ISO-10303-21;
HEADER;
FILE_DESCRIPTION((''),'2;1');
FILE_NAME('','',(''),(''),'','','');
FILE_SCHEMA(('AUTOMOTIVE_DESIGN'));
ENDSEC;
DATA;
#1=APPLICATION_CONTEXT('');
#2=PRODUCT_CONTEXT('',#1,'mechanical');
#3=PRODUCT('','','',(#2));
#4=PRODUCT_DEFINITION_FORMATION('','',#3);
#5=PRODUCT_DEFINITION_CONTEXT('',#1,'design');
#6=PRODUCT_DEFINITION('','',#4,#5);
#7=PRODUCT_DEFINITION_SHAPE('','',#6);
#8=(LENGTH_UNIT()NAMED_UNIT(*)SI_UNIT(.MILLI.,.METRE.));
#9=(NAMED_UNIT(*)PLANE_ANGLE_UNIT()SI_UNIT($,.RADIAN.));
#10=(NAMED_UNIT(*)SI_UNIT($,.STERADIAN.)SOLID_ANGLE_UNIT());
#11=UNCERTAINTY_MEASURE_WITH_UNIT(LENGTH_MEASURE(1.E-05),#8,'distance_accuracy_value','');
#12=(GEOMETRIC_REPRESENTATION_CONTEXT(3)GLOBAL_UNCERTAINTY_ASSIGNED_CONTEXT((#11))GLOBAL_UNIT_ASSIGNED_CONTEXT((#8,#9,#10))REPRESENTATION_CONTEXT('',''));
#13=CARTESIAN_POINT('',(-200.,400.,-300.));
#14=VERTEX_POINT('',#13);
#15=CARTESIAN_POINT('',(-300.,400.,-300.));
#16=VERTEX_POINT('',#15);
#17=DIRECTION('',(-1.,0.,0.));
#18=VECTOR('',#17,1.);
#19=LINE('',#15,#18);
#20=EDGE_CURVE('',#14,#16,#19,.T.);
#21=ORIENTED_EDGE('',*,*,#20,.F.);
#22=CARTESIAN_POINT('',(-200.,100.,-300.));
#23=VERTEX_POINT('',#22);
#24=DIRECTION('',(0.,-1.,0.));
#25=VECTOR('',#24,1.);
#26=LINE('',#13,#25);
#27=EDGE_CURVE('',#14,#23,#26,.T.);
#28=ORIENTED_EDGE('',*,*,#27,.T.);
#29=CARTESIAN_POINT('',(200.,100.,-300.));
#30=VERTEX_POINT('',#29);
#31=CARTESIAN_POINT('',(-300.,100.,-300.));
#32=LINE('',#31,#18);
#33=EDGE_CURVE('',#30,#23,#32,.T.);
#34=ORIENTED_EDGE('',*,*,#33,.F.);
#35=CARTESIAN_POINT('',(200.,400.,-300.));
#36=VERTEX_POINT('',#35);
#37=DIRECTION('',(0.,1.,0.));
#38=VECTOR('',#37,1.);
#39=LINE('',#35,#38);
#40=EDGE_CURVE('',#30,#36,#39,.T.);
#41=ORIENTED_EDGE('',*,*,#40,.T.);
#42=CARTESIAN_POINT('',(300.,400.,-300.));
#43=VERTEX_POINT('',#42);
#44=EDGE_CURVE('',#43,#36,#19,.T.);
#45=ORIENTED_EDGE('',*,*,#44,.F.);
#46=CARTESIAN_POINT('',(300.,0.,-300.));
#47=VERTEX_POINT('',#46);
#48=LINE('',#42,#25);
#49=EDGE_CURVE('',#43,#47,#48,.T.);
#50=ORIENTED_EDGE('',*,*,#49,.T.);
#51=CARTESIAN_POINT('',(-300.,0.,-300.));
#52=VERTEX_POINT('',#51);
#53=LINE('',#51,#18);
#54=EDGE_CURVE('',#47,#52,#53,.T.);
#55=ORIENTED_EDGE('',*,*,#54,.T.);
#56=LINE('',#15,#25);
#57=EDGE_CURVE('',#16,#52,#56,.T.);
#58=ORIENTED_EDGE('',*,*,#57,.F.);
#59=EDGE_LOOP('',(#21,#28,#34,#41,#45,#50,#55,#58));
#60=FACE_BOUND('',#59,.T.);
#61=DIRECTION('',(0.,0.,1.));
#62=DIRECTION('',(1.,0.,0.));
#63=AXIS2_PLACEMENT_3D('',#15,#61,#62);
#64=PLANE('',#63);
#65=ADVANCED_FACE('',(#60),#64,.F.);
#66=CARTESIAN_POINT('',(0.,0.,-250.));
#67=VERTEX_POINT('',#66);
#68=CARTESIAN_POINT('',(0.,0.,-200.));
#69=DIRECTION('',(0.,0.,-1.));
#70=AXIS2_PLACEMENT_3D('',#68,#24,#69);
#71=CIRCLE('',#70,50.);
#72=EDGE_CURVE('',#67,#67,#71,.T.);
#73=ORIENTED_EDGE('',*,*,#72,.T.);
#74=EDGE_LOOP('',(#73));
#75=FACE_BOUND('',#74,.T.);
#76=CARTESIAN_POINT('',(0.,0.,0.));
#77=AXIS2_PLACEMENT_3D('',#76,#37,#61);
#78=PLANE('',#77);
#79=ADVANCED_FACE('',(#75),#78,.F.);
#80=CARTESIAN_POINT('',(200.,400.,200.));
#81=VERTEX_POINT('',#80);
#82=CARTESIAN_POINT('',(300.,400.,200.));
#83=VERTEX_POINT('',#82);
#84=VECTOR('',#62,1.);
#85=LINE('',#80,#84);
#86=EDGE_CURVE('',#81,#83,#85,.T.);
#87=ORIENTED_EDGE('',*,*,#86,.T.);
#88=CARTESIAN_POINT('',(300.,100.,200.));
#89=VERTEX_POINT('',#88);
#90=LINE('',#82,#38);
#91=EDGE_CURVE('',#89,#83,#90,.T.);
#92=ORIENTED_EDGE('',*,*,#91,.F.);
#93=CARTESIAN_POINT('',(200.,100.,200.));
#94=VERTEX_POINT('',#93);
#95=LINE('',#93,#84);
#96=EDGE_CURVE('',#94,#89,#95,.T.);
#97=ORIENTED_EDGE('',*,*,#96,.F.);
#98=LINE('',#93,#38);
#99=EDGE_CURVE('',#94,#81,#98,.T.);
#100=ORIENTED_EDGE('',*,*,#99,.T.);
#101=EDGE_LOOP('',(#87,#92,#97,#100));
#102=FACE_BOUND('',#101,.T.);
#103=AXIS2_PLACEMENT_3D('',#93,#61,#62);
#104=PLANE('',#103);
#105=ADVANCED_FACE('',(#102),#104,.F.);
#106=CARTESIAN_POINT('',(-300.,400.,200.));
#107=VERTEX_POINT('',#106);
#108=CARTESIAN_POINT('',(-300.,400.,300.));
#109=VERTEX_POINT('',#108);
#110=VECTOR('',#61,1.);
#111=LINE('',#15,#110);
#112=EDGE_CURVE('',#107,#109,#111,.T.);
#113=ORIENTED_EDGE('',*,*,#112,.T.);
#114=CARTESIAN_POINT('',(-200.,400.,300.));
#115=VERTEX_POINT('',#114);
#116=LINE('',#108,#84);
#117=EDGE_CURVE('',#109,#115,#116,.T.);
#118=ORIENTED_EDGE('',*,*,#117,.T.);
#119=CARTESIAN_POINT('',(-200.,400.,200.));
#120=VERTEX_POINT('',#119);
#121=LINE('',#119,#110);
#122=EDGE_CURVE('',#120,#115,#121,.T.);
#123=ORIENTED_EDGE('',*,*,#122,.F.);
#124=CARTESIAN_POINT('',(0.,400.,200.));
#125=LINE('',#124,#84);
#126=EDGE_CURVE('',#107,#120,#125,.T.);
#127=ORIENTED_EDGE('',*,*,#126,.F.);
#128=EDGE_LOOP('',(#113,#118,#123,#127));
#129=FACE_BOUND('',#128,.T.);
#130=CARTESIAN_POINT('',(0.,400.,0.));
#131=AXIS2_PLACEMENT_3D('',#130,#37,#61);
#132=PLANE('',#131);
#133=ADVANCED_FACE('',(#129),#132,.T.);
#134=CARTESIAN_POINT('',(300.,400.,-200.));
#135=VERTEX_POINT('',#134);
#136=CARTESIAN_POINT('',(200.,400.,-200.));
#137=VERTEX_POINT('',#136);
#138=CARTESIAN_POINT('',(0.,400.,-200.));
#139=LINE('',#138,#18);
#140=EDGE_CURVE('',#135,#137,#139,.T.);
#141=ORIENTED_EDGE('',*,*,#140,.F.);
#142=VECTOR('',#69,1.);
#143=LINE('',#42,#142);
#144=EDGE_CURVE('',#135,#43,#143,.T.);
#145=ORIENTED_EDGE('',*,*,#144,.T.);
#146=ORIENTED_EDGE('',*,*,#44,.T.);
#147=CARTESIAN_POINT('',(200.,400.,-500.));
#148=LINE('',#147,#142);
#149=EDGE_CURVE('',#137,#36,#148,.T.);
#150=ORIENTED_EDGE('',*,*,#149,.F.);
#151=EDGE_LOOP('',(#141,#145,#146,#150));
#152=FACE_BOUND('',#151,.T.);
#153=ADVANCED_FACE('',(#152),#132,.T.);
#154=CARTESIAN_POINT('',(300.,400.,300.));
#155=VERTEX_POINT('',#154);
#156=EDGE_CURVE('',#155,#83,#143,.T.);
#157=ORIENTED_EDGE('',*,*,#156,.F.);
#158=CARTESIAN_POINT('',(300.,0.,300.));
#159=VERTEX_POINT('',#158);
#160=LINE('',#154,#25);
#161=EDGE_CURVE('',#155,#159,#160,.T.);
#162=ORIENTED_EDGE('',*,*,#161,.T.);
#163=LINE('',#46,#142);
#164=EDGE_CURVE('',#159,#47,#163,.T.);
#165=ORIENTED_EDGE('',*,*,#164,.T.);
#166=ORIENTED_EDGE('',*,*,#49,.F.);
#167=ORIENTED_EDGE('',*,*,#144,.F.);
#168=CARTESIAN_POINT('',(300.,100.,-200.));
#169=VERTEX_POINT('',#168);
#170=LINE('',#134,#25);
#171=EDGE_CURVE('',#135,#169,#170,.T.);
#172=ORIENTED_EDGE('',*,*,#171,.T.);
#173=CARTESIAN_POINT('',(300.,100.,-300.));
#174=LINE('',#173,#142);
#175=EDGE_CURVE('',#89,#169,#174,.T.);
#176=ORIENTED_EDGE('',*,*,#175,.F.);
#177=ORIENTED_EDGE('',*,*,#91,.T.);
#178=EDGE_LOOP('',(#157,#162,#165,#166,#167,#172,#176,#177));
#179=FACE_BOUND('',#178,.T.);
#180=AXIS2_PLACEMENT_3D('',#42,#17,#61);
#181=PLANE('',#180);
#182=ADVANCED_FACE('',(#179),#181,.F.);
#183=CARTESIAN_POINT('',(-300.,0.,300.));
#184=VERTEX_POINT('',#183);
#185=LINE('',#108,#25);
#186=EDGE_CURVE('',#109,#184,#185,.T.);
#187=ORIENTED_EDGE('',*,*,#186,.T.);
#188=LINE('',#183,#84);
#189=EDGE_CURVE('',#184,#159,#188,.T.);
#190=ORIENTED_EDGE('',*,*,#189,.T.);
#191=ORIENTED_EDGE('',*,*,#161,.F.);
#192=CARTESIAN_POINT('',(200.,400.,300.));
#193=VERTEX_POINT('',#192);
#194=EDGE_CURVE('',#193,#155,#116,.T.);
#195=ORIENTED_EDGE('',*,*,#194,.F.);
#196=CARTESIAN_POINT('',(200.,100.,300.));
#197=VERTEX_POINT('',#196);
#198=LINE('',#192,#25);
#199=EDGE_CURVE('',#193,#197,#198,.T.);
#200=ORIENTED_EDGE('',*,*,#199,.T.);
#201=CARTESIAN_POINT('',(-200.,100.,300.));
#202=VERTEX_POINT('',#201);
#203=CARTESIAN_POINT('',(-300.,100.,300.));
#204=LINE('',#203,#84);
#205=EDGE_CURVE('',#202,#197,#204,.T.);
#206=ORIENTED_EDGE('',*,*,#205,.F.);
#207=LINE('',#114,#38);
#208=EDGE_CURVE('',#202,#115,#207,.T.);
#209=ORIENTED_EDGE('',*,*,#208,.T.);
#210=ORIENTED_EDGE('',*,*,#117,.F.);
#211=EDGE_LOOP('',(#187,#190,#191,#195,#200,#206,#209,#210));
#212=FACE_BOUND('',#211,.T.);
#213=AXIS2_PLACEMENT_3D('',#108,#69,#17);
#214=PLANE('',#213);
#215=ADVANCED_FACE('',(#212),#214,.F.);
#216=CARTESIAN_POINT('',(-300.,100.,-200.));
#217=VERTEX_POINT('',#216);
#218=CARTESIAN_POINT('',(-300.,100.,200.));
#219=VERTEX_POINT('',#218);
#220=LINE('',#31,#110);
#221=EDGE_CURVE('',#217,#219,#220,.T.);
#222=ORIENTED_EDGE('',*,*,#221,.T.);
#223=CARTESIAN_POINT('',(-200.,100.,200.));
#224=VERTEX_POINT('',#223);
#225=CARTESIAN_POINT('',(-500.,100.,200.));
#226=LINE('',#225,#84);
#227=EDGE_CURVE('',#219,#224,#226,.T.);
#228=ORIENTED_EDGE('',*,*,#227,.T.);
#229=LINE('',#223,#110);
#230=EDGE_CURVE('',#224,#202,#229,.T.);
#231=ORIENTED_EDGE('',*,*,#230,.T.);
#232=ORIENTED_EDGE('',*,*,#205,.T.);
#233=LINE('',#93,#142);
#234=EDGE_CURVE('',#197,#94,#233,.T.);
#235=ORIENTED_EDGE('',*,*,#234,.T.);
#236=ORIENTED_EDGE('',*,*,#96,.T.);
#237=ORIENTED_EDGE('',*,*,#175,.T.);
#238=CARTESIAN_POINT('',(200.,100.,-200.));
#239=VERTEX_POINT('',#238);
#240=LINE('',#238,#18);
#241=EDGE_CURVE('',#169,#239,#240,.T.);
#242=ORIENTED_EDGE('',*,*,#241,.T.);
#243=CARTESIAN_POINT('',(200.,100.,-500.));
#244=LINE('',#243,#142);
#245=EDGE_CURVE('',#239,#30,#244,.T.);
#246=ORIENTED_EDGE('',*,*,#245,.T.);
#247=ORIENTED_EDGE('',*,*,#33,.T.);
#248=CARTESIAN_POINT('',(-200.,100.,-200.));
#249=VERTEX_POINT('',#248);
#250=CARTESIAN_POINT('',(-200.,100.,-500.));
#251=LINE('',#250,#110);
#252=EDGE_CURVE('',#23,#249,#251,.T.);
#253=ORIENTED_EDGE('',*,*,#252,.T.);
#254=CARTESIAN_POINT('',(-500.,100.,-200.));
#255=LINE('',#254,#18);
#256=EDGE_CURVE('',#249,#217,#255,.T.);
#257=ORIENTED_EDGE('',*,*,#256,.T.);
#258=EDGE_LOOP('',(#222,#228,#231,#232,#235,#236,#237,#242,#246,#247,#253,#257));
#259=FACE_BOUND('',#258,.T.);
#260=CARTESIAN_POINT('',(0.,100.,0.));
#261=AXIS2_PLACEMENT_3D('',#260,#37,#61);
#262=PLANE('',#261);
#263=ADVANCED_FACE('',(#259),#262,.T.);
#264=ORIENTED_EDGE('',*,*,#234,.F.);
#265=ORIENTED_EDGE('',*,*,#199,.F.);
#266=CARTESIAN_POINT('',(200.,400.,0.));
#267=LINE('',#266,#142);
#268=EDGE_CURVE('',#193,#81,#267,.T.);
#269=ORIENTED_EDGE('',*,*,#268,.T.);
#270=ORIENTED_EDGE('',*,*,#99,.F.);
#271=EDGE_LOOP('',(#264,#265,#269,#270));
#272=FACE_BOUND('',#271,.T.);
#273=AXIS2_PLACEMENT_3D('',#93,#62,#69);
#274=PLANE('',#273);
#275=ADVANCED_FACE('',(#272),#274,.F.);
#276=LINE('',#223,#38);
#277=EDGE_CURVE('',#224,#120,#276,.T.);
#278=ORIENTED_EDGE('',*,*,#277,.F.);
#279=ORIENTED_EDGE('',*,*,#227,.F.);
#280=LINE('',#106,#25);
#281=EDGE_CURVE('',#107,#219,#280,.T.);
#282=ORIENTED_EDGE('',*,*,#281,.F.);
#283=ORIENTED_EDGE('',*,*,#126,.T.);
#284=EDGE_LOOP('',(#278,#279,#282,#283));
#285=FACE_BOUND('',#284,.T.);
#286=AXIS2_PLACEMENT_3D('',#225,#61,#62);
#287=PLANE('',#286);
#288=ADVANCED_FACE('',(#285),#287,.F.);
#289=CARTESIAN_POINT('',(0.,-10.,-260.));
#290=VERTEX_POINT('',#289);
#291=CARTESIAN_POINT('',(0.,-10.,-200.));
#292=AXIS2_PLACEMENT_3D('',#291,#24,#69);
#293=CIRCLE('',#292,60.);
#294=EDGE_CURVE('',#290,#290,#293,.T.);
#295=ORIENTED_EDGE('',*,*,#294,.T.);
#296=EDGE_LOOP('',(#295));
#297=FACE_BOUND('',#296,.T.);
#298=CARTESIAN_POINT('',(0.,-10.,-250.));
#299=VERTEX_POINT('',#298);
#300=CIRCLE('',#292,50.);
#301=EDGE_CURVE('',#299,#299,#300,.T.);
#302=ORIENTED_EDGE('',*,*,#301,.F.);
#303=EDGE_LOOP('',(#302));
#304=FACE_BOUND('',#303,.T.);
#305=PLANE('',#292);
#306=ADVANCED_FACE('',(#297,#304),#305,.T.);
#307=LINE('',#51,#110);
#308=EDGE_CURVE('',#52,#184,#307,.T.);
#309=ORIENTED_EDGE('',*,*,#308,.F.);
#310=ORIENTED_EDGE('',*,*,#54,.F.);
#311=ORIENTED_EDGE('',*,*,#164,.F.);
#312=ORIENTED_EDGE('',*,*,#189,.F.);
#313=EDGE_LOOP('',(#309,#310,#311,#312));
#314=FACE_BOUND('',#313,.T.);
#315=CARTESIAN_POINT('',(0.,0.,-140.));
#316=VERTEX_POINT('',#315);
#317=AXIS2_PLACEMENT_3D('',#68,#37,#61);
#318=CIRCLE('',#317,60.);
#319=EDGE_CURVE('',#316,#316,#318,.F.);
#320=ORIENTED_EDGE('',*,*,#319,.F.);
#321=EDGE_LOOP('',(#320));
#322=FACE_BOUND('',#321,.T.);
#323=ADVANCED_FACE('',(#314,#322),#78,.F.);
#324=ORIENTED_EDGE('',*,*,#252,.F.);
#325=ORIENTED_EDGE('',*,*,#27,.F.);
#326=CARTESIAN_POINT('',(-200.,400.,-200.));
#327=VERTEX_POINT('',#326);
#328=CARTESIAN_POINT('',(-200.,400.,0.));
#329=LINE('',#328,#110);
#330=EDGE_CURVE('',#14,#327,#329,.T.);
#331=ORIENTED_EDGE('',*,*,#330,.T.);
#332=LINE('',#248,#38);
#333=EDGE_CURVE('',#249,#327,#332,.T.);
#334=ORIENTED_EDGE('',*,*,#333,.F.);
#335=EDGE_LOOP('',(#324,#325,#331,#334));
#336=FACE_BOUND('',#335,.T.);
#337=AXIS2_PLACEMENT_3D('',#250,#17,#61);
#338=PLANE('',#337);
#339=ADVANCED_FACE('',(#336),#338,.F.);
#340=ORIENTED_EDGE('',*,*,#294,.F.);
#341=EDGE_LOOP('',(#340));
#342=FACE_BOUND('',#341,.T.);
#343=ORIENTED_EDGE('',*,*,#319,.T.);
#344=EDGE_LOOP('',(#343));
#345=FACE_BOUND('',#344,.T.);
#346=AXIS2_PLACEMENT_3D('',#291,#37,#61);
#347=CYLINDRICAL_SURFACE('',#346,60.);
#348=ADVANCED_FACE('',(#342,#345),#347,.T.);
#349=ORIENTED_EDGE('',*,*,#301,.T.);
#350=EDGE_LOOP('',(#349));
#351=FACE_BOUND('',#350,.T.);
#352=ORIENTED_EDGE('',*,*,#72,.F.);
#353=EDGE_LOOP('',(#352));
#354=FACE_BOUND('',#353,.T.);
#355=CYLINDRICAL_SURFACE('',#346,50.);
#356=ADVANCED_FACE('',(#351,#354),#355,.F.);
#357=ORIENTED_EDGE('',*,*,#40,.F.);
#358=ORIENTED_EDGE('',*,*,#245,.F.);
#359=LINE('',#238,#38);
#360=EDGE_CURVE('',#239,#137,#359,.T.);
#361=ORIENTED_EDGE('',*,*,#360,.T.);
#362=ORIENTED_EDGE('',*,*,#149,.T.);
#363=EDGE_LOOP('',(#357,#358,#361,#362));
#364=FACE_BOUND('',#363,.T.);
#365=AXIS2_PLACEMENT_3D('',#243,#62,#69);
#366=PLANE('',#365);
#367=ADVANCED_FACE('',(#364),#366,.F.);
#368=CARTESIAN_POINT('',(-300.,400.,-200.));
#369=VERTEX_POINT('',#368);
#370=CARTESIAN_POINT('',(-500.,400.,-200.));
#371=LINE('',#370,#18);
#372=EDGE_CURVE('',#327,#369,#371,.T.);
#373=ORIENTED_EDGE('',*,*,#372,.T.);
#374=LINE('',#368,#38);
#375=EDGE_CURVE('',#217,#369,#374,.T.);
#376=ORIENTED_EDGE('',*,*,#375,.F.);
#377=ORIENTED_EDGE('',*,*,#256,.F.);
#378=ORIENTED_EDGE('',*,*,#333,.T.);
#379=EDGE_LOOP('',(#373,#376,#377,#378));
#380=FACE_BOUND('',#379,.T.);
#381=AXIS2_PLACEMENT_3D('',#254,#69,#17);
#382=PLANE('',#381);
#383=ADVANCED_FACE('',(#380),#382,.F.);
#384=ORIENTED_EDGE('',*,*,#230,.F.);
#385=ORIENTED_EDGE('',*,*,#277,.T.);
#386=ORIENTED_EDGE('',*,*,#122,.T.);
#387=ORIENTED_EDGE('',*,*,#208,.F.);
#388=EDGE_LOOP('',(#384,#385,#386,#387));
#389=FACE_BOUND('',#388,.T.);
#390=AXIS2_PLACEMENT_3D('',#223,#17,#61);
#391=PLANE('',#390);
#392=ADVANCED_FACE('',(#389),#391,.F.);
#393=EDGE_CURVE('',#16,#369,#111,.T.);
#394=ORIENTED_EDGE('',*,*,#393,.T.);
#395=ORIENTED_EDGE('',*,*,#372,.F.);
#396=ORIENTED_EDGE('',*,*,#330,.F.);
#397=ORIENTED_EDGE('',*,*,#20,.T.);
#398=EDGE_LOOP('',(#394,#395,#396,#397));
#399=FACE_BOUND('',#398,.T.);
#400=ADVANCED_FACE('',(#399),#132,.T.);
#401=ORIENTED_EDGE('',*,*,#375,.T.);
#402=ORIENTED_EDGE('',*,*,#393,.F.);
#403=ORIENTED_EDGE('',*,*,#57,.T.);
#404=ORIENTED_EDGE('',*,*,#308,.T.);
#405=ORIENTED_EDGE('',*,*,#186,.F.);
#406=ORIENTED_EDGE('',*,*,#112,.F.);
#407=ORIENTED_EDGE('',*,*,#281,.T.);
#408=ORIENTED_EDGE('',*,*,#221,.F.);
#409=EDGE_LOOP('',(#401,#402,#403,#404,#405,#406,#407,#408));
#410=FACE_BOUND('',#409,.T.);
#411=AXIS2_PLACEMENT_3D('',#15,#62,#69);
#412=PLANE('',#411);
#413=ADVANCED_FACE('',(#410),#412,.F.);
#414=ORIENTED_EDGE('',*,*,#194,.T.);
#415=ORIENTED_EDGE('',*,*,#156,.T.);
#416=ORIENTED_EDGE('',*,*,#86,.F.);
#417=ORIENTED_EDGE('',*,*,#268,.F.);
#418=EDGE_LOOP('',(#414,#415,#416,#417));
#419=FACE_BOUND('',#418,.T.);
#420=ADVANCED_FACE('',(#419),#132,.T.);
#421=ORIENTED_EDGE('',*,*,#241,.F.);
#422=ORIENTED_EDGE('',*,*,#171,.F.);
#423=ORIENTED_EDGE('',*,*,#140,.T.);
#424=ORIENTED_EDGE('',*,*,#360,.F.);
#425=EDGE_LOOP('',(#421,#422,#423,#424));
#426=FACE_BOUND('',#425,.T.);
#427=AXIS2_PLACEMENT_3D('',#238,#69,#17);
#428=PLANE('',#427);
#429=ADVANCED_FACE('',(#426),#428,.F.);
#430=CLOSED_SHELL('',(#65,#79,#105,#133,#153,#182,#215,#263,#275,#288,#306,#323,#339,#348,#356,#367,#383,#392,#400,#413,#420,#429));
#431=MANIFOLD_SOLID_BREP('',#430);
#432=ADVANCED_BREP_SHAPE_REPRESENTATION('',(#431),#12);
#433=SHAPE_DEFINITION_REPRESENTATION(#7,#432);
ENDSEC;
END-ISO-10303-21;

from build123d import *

# Parameters (mm, degrees)
SKETCH_1_W          = 600
SKETCH_1_H          = 600
EXTRUDE_1_DEPTH     = 400
CUT_EXTRUDE_1_DEPTH = 300
SKETCH_3_R          = 60
SKETCH_3_R_2        = 50
EXTRUDE_2_DEPTH     = 10


with BuildPart() as part:
    # 草图1 → 凸台-拉伸1 (new body)
    with BuildSketch(Plane(origin=(0, 0, 0), x_dir=(1, 0, 0), z_dir=(0, 1, 0))):
        Rectangle(SKETCH_1_W, SKETCH_1_H)
    extrude(amount=EXTRUDE_1_DEPTH)

    # 草图2 → 切除-拉伸1 (cut)
    with BuildSketch(Plane(origin=(0, 400, 0), x_dir=(1, 0, 0), z_dir=(0, 1, 0))):
        Polygon((-500, 200), (-200, 200), (-200, 500), (200, 500), (200, 200), (500, 200), (500, -200), (200, -200), (200, -500), (-200, -500), (-200, -200), (-500, -200), align=None)
    extrude(amount=-CUT_EXTRUDE_1_DEPTH, mode=Mode.SUBTRACT)

    # 草图3 → 凸台-拉伸2 (add)
    with BuildSketch(Plane.XZ):
        with Locations(Location((0, -200, 0), (0, 0, 90))):
            Circle(SKETCH_3_R)
        with Locations(Location((0, -200, 0), (0, 0, 270))):
            Circle(SKETCH_3_R_2, mode=Mode.SUBTRACT)
    extrude(amount=EXTRUDE_2_DEPTH)


solid = part.part
